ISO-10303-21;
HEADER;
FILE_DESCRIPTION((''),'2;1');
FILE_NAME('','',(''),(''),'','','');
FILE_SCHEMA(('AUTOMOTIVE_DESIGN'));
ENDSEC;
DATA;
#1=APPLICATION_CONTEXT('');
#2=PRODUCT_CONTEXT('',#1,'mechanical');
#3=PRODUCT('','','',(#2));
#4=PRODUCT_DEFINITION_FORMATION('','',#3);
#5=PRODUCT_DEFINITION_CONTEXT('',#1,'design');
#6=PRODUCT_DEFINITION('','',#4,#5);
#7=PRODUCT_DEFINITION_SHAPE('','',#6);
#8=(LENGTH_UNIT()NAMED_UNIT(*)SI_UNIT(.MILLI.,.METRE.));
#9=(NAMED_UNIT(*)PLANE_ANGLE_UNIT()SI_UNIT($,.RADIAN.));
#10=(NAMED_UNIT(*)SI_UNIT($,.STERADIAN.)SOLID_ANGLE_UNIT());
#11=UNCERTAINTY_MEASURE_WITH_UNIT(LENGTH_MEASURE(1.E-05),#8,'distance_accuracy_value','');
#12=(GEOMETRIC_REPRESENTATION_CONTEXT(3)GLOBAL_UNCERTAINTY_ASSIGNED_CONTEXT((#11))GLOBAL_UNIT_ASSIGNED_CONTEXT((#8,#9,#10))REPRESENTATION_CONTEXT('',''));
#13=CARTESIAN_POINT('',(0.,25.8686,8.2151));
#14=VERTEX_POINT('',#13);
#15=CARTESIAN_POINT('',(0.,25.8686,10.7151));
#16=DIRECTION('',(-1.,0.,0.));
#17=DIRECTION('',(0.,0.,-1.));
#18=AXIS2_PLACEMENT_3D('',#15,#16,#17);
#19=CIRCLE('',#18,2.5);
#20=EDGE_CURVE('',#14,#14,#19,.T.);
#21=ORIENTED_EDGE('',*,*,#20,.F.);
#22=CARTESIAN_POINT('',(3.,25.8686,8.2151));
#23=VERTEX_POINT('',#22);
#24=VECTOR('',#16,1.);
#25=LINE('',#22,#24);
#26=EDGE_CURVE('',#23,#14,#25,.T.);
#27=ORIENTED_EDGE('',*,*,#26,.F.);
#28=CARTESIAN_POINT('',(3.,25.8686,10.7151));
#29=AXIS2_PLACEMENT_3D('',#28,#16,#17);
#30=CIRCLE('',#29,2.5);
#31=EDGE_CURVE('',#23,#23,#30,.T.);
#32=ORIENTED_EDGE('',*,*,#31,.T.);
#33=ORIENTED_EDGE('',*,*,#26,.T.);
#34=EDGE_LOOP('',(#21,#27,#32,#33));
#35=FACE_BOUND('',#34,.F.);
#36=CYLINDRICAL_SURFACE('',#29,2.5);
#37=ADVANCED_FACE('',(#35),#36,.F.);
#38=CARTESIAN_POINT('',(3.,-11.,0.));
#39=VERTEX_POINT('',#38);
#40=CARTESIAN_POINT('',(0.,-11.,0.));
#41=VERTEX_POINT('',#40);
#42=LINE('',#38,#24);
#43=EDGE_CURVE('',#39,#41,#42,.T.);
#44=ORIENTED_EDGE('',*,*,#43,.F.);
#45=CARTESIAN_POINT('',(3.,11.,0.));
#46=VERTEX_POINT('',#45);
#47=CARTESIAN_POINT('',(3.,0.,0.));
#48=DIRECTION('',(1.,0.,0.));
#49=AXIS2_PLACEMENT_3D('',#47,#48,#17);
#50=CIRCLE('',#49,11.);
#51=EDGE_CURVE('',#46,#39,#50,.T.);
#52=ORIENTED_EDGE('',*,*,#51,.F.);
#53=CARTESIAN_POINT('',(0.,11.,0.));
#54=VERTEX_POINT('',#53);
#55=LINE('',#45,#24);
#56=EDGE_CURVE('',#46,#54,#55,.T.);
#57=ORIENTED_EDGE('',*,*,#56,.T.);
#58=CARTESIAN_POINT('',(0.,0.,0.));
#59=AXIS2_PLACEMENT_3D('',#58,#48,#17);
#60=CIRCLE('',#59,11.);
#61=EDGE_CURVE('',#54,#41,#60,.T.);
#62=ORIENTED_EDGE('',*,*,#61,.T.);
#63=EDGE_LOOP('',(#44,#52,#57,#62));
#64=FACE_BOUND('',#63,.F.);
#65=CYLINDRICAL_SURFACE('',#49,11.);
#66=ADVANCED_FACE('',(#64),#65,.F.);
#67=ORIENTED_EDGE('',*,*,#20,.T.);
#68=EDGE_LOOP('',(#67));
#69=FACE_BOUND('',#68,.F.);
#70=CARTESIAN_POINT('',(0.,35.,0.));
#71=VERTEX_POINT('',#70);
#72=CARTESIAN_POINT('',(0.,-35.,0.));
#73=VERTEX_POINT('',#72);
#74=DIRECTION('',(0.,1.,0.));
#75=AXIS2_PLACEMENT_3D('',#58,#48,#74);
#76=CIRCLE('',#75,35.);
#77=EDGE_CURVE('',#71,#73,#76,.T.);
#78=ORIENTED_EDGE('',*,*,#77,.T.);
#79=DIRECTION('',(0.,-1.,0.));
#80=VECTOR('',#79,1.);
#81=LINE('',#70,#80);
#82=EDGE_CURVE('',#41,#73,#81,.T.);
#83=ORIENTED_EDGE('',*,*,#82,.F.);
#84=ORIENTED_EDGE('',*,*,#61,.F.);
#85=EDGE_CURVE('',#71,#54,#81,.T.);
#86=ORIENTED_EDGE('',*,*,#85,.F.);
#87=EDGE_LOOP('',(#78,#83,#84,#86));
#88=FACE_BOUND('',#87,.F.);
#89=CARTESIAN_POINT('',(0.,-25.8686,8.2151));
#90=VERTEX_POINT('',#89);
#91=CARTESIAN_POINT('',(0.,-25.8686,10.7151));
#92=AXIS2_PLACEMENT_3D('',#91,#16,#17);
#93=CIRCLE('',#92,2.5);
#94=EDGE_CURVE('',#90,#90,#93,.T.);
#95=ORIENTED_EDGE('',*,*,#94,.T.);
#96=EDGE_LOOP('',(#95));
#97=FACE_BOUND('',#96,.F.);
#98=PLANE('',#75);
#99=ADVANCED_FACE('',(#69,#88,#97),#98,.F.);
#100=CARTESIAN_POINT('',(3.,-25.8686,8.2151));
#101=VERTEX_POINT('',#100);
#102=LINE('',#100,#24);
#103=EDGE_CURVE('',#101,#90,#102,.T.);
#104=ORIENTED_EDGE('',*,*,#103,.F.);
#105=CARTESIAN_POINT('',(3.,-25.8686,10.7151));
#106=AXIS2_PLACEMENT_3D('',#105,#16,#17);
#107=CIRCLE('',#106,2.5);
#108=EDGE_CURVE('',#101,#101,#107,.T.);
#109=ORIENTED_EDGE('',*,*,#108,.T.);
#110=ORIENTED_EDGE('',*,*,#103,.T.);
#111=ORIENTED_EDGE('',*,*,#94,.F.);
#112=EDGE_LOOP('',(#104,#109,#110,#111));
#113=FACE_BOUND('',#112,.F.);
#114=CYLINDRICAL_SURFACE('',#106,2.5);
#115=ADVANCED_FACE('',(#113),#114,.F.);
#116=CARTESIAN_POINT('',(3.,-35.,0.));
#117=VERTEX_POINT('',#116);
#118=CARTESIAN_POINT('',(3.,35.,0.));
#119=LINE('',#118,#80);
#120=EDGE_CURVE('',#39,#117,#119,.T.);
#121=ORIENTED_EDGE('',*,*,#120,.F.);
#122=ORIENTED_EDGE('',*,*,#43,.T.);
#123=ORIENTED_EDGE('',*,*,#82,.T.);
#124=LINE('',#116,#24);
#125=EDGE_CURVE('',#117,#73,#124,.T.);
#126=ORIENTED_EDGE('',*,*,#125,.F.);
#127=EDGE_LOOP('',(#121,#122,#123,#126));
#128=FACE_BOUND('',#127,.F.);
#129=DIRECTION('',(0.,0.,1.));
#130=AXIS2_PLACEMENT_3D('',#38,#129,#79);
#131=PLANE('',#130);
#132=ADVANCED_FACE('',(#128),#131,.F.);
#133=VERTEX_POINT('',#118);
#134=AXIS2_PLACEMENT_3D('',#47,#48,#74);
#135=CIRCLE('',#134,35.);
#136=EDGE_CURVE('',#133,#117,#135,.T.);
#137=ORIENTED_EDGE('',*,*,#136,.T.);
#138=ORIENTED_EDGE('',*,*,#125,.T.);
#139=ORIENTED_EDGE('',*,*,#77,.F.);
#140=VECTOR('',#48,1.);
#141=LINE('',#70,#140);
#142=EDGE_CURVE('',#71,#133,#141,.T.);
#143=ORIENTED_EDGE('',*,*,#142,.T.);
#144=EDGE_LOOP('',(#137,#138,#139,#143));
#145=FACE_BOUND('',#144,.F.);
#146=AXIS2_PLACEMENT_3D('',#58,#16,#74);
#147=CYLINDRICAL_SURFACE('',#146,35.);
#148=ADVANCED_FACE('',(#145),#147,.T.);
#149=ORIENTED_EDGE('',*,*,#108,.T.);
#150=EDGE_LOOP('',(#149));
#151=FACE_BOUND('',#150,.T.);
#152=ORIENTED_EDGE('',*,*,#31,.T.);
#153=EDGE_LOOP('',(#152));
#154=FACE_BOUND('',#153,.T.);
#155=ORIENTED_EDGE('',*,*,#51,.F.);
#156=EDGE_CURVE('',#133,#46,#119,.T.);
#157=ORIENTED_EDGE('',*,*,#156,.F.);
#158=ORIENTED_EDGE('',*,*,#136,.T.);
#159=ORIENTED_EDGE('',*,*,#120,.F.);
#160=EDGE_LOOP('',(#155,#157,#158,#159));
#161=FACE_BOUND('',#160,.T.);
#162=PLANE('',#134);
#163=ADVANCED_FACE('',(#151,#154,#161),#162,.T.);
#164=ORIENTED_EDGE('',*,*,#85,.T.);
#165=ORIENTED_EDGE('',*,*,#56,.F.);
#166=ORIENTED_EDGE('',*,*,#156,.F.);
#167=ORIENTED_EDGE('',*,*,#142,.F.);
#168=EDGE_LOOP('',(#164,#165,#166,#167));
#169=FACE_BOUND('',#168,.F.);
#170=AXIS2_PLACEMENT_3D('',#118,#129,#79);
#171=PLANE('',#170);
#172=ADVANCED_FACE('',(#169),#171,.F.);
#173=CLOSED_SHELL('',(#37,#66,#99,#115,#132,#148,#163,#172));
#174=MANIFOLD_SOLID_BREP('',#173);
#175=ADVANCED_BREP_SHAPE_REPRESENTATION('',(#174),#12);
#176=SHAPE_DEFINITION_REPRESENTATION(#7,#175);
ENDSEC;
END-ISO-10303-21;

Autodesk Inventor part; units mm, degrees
ref_plane "YZ Plane" through (0, 0, 0) normal (1, 0, 0) x (0, 1, 0)
ref_plane "XZ Plane" through (0, 0, 0) normal (0, 1, 0) x (-1, 0, 0)
ref_plane "XY Plane" through (0, 0, 0) normal (0, 0, 1) x (1, 0, 0)
sketch "Sketch1" plane through (0, 0, 0) normal (1, 0, 0) x (0, 1, 0)
  circle A0 centre (0, 0) radius 35
  dimension "d0" = 70
extrude "Extrusion1" add sketch "Sketch1" along normal blind 3
sketch "Sketch2" plane through (3, 0, 0) normal (1, 0, 0) x (0, 0, -1)
  circle A0 centre (0, 0) radius 11
  circle A1 centre (0, 0) radius 35 projected
  circle A2 centre (0, 0) radius 35 projected
  line L0 (0, 35) -> (0, -35)
  point P0 (0, 11)
  point P1 (0, -11)
  dimension "d3" = 22
extrude "Extrusion2" cut sketch "Sketch2" against normal blind 3 contours A0 L0 | A0 L0 A1 | L0 A0 picked at (26.6156, -3.412)
sketch "Sketch3" plane through (3, 0, 0) normal (1, 0, 0) x (0, 0, -1)
  line L0 (0, 11) -> (0, 35) projected
  arc A0 (0, 35) -> (0, -35) centre (0, 0) ccw projected
  line L1 (0, -35) -> (0, -11) projected
  arc A1 (0, 11) -> (0, -11) centre (0, 0) ccw projected
  circle A2 centre (0, 0) radius 28 construction
  line L2 (0, 0) -> (-10.7151, 25.8686)
  line L3 (0, 0) -> (-10.7151, -25.8686)
  dimension "d6" = 56
  dimension "d7" = 22.5
  dimension "d8" = 22.5
hole "Hole1" at (3, 25.8686, 10.7151) at (3, -25.8686, 10.7151) direction (-1, 0, 0) diameter 5 end through all
properties part number "P004" material "Steel, Alloy"
